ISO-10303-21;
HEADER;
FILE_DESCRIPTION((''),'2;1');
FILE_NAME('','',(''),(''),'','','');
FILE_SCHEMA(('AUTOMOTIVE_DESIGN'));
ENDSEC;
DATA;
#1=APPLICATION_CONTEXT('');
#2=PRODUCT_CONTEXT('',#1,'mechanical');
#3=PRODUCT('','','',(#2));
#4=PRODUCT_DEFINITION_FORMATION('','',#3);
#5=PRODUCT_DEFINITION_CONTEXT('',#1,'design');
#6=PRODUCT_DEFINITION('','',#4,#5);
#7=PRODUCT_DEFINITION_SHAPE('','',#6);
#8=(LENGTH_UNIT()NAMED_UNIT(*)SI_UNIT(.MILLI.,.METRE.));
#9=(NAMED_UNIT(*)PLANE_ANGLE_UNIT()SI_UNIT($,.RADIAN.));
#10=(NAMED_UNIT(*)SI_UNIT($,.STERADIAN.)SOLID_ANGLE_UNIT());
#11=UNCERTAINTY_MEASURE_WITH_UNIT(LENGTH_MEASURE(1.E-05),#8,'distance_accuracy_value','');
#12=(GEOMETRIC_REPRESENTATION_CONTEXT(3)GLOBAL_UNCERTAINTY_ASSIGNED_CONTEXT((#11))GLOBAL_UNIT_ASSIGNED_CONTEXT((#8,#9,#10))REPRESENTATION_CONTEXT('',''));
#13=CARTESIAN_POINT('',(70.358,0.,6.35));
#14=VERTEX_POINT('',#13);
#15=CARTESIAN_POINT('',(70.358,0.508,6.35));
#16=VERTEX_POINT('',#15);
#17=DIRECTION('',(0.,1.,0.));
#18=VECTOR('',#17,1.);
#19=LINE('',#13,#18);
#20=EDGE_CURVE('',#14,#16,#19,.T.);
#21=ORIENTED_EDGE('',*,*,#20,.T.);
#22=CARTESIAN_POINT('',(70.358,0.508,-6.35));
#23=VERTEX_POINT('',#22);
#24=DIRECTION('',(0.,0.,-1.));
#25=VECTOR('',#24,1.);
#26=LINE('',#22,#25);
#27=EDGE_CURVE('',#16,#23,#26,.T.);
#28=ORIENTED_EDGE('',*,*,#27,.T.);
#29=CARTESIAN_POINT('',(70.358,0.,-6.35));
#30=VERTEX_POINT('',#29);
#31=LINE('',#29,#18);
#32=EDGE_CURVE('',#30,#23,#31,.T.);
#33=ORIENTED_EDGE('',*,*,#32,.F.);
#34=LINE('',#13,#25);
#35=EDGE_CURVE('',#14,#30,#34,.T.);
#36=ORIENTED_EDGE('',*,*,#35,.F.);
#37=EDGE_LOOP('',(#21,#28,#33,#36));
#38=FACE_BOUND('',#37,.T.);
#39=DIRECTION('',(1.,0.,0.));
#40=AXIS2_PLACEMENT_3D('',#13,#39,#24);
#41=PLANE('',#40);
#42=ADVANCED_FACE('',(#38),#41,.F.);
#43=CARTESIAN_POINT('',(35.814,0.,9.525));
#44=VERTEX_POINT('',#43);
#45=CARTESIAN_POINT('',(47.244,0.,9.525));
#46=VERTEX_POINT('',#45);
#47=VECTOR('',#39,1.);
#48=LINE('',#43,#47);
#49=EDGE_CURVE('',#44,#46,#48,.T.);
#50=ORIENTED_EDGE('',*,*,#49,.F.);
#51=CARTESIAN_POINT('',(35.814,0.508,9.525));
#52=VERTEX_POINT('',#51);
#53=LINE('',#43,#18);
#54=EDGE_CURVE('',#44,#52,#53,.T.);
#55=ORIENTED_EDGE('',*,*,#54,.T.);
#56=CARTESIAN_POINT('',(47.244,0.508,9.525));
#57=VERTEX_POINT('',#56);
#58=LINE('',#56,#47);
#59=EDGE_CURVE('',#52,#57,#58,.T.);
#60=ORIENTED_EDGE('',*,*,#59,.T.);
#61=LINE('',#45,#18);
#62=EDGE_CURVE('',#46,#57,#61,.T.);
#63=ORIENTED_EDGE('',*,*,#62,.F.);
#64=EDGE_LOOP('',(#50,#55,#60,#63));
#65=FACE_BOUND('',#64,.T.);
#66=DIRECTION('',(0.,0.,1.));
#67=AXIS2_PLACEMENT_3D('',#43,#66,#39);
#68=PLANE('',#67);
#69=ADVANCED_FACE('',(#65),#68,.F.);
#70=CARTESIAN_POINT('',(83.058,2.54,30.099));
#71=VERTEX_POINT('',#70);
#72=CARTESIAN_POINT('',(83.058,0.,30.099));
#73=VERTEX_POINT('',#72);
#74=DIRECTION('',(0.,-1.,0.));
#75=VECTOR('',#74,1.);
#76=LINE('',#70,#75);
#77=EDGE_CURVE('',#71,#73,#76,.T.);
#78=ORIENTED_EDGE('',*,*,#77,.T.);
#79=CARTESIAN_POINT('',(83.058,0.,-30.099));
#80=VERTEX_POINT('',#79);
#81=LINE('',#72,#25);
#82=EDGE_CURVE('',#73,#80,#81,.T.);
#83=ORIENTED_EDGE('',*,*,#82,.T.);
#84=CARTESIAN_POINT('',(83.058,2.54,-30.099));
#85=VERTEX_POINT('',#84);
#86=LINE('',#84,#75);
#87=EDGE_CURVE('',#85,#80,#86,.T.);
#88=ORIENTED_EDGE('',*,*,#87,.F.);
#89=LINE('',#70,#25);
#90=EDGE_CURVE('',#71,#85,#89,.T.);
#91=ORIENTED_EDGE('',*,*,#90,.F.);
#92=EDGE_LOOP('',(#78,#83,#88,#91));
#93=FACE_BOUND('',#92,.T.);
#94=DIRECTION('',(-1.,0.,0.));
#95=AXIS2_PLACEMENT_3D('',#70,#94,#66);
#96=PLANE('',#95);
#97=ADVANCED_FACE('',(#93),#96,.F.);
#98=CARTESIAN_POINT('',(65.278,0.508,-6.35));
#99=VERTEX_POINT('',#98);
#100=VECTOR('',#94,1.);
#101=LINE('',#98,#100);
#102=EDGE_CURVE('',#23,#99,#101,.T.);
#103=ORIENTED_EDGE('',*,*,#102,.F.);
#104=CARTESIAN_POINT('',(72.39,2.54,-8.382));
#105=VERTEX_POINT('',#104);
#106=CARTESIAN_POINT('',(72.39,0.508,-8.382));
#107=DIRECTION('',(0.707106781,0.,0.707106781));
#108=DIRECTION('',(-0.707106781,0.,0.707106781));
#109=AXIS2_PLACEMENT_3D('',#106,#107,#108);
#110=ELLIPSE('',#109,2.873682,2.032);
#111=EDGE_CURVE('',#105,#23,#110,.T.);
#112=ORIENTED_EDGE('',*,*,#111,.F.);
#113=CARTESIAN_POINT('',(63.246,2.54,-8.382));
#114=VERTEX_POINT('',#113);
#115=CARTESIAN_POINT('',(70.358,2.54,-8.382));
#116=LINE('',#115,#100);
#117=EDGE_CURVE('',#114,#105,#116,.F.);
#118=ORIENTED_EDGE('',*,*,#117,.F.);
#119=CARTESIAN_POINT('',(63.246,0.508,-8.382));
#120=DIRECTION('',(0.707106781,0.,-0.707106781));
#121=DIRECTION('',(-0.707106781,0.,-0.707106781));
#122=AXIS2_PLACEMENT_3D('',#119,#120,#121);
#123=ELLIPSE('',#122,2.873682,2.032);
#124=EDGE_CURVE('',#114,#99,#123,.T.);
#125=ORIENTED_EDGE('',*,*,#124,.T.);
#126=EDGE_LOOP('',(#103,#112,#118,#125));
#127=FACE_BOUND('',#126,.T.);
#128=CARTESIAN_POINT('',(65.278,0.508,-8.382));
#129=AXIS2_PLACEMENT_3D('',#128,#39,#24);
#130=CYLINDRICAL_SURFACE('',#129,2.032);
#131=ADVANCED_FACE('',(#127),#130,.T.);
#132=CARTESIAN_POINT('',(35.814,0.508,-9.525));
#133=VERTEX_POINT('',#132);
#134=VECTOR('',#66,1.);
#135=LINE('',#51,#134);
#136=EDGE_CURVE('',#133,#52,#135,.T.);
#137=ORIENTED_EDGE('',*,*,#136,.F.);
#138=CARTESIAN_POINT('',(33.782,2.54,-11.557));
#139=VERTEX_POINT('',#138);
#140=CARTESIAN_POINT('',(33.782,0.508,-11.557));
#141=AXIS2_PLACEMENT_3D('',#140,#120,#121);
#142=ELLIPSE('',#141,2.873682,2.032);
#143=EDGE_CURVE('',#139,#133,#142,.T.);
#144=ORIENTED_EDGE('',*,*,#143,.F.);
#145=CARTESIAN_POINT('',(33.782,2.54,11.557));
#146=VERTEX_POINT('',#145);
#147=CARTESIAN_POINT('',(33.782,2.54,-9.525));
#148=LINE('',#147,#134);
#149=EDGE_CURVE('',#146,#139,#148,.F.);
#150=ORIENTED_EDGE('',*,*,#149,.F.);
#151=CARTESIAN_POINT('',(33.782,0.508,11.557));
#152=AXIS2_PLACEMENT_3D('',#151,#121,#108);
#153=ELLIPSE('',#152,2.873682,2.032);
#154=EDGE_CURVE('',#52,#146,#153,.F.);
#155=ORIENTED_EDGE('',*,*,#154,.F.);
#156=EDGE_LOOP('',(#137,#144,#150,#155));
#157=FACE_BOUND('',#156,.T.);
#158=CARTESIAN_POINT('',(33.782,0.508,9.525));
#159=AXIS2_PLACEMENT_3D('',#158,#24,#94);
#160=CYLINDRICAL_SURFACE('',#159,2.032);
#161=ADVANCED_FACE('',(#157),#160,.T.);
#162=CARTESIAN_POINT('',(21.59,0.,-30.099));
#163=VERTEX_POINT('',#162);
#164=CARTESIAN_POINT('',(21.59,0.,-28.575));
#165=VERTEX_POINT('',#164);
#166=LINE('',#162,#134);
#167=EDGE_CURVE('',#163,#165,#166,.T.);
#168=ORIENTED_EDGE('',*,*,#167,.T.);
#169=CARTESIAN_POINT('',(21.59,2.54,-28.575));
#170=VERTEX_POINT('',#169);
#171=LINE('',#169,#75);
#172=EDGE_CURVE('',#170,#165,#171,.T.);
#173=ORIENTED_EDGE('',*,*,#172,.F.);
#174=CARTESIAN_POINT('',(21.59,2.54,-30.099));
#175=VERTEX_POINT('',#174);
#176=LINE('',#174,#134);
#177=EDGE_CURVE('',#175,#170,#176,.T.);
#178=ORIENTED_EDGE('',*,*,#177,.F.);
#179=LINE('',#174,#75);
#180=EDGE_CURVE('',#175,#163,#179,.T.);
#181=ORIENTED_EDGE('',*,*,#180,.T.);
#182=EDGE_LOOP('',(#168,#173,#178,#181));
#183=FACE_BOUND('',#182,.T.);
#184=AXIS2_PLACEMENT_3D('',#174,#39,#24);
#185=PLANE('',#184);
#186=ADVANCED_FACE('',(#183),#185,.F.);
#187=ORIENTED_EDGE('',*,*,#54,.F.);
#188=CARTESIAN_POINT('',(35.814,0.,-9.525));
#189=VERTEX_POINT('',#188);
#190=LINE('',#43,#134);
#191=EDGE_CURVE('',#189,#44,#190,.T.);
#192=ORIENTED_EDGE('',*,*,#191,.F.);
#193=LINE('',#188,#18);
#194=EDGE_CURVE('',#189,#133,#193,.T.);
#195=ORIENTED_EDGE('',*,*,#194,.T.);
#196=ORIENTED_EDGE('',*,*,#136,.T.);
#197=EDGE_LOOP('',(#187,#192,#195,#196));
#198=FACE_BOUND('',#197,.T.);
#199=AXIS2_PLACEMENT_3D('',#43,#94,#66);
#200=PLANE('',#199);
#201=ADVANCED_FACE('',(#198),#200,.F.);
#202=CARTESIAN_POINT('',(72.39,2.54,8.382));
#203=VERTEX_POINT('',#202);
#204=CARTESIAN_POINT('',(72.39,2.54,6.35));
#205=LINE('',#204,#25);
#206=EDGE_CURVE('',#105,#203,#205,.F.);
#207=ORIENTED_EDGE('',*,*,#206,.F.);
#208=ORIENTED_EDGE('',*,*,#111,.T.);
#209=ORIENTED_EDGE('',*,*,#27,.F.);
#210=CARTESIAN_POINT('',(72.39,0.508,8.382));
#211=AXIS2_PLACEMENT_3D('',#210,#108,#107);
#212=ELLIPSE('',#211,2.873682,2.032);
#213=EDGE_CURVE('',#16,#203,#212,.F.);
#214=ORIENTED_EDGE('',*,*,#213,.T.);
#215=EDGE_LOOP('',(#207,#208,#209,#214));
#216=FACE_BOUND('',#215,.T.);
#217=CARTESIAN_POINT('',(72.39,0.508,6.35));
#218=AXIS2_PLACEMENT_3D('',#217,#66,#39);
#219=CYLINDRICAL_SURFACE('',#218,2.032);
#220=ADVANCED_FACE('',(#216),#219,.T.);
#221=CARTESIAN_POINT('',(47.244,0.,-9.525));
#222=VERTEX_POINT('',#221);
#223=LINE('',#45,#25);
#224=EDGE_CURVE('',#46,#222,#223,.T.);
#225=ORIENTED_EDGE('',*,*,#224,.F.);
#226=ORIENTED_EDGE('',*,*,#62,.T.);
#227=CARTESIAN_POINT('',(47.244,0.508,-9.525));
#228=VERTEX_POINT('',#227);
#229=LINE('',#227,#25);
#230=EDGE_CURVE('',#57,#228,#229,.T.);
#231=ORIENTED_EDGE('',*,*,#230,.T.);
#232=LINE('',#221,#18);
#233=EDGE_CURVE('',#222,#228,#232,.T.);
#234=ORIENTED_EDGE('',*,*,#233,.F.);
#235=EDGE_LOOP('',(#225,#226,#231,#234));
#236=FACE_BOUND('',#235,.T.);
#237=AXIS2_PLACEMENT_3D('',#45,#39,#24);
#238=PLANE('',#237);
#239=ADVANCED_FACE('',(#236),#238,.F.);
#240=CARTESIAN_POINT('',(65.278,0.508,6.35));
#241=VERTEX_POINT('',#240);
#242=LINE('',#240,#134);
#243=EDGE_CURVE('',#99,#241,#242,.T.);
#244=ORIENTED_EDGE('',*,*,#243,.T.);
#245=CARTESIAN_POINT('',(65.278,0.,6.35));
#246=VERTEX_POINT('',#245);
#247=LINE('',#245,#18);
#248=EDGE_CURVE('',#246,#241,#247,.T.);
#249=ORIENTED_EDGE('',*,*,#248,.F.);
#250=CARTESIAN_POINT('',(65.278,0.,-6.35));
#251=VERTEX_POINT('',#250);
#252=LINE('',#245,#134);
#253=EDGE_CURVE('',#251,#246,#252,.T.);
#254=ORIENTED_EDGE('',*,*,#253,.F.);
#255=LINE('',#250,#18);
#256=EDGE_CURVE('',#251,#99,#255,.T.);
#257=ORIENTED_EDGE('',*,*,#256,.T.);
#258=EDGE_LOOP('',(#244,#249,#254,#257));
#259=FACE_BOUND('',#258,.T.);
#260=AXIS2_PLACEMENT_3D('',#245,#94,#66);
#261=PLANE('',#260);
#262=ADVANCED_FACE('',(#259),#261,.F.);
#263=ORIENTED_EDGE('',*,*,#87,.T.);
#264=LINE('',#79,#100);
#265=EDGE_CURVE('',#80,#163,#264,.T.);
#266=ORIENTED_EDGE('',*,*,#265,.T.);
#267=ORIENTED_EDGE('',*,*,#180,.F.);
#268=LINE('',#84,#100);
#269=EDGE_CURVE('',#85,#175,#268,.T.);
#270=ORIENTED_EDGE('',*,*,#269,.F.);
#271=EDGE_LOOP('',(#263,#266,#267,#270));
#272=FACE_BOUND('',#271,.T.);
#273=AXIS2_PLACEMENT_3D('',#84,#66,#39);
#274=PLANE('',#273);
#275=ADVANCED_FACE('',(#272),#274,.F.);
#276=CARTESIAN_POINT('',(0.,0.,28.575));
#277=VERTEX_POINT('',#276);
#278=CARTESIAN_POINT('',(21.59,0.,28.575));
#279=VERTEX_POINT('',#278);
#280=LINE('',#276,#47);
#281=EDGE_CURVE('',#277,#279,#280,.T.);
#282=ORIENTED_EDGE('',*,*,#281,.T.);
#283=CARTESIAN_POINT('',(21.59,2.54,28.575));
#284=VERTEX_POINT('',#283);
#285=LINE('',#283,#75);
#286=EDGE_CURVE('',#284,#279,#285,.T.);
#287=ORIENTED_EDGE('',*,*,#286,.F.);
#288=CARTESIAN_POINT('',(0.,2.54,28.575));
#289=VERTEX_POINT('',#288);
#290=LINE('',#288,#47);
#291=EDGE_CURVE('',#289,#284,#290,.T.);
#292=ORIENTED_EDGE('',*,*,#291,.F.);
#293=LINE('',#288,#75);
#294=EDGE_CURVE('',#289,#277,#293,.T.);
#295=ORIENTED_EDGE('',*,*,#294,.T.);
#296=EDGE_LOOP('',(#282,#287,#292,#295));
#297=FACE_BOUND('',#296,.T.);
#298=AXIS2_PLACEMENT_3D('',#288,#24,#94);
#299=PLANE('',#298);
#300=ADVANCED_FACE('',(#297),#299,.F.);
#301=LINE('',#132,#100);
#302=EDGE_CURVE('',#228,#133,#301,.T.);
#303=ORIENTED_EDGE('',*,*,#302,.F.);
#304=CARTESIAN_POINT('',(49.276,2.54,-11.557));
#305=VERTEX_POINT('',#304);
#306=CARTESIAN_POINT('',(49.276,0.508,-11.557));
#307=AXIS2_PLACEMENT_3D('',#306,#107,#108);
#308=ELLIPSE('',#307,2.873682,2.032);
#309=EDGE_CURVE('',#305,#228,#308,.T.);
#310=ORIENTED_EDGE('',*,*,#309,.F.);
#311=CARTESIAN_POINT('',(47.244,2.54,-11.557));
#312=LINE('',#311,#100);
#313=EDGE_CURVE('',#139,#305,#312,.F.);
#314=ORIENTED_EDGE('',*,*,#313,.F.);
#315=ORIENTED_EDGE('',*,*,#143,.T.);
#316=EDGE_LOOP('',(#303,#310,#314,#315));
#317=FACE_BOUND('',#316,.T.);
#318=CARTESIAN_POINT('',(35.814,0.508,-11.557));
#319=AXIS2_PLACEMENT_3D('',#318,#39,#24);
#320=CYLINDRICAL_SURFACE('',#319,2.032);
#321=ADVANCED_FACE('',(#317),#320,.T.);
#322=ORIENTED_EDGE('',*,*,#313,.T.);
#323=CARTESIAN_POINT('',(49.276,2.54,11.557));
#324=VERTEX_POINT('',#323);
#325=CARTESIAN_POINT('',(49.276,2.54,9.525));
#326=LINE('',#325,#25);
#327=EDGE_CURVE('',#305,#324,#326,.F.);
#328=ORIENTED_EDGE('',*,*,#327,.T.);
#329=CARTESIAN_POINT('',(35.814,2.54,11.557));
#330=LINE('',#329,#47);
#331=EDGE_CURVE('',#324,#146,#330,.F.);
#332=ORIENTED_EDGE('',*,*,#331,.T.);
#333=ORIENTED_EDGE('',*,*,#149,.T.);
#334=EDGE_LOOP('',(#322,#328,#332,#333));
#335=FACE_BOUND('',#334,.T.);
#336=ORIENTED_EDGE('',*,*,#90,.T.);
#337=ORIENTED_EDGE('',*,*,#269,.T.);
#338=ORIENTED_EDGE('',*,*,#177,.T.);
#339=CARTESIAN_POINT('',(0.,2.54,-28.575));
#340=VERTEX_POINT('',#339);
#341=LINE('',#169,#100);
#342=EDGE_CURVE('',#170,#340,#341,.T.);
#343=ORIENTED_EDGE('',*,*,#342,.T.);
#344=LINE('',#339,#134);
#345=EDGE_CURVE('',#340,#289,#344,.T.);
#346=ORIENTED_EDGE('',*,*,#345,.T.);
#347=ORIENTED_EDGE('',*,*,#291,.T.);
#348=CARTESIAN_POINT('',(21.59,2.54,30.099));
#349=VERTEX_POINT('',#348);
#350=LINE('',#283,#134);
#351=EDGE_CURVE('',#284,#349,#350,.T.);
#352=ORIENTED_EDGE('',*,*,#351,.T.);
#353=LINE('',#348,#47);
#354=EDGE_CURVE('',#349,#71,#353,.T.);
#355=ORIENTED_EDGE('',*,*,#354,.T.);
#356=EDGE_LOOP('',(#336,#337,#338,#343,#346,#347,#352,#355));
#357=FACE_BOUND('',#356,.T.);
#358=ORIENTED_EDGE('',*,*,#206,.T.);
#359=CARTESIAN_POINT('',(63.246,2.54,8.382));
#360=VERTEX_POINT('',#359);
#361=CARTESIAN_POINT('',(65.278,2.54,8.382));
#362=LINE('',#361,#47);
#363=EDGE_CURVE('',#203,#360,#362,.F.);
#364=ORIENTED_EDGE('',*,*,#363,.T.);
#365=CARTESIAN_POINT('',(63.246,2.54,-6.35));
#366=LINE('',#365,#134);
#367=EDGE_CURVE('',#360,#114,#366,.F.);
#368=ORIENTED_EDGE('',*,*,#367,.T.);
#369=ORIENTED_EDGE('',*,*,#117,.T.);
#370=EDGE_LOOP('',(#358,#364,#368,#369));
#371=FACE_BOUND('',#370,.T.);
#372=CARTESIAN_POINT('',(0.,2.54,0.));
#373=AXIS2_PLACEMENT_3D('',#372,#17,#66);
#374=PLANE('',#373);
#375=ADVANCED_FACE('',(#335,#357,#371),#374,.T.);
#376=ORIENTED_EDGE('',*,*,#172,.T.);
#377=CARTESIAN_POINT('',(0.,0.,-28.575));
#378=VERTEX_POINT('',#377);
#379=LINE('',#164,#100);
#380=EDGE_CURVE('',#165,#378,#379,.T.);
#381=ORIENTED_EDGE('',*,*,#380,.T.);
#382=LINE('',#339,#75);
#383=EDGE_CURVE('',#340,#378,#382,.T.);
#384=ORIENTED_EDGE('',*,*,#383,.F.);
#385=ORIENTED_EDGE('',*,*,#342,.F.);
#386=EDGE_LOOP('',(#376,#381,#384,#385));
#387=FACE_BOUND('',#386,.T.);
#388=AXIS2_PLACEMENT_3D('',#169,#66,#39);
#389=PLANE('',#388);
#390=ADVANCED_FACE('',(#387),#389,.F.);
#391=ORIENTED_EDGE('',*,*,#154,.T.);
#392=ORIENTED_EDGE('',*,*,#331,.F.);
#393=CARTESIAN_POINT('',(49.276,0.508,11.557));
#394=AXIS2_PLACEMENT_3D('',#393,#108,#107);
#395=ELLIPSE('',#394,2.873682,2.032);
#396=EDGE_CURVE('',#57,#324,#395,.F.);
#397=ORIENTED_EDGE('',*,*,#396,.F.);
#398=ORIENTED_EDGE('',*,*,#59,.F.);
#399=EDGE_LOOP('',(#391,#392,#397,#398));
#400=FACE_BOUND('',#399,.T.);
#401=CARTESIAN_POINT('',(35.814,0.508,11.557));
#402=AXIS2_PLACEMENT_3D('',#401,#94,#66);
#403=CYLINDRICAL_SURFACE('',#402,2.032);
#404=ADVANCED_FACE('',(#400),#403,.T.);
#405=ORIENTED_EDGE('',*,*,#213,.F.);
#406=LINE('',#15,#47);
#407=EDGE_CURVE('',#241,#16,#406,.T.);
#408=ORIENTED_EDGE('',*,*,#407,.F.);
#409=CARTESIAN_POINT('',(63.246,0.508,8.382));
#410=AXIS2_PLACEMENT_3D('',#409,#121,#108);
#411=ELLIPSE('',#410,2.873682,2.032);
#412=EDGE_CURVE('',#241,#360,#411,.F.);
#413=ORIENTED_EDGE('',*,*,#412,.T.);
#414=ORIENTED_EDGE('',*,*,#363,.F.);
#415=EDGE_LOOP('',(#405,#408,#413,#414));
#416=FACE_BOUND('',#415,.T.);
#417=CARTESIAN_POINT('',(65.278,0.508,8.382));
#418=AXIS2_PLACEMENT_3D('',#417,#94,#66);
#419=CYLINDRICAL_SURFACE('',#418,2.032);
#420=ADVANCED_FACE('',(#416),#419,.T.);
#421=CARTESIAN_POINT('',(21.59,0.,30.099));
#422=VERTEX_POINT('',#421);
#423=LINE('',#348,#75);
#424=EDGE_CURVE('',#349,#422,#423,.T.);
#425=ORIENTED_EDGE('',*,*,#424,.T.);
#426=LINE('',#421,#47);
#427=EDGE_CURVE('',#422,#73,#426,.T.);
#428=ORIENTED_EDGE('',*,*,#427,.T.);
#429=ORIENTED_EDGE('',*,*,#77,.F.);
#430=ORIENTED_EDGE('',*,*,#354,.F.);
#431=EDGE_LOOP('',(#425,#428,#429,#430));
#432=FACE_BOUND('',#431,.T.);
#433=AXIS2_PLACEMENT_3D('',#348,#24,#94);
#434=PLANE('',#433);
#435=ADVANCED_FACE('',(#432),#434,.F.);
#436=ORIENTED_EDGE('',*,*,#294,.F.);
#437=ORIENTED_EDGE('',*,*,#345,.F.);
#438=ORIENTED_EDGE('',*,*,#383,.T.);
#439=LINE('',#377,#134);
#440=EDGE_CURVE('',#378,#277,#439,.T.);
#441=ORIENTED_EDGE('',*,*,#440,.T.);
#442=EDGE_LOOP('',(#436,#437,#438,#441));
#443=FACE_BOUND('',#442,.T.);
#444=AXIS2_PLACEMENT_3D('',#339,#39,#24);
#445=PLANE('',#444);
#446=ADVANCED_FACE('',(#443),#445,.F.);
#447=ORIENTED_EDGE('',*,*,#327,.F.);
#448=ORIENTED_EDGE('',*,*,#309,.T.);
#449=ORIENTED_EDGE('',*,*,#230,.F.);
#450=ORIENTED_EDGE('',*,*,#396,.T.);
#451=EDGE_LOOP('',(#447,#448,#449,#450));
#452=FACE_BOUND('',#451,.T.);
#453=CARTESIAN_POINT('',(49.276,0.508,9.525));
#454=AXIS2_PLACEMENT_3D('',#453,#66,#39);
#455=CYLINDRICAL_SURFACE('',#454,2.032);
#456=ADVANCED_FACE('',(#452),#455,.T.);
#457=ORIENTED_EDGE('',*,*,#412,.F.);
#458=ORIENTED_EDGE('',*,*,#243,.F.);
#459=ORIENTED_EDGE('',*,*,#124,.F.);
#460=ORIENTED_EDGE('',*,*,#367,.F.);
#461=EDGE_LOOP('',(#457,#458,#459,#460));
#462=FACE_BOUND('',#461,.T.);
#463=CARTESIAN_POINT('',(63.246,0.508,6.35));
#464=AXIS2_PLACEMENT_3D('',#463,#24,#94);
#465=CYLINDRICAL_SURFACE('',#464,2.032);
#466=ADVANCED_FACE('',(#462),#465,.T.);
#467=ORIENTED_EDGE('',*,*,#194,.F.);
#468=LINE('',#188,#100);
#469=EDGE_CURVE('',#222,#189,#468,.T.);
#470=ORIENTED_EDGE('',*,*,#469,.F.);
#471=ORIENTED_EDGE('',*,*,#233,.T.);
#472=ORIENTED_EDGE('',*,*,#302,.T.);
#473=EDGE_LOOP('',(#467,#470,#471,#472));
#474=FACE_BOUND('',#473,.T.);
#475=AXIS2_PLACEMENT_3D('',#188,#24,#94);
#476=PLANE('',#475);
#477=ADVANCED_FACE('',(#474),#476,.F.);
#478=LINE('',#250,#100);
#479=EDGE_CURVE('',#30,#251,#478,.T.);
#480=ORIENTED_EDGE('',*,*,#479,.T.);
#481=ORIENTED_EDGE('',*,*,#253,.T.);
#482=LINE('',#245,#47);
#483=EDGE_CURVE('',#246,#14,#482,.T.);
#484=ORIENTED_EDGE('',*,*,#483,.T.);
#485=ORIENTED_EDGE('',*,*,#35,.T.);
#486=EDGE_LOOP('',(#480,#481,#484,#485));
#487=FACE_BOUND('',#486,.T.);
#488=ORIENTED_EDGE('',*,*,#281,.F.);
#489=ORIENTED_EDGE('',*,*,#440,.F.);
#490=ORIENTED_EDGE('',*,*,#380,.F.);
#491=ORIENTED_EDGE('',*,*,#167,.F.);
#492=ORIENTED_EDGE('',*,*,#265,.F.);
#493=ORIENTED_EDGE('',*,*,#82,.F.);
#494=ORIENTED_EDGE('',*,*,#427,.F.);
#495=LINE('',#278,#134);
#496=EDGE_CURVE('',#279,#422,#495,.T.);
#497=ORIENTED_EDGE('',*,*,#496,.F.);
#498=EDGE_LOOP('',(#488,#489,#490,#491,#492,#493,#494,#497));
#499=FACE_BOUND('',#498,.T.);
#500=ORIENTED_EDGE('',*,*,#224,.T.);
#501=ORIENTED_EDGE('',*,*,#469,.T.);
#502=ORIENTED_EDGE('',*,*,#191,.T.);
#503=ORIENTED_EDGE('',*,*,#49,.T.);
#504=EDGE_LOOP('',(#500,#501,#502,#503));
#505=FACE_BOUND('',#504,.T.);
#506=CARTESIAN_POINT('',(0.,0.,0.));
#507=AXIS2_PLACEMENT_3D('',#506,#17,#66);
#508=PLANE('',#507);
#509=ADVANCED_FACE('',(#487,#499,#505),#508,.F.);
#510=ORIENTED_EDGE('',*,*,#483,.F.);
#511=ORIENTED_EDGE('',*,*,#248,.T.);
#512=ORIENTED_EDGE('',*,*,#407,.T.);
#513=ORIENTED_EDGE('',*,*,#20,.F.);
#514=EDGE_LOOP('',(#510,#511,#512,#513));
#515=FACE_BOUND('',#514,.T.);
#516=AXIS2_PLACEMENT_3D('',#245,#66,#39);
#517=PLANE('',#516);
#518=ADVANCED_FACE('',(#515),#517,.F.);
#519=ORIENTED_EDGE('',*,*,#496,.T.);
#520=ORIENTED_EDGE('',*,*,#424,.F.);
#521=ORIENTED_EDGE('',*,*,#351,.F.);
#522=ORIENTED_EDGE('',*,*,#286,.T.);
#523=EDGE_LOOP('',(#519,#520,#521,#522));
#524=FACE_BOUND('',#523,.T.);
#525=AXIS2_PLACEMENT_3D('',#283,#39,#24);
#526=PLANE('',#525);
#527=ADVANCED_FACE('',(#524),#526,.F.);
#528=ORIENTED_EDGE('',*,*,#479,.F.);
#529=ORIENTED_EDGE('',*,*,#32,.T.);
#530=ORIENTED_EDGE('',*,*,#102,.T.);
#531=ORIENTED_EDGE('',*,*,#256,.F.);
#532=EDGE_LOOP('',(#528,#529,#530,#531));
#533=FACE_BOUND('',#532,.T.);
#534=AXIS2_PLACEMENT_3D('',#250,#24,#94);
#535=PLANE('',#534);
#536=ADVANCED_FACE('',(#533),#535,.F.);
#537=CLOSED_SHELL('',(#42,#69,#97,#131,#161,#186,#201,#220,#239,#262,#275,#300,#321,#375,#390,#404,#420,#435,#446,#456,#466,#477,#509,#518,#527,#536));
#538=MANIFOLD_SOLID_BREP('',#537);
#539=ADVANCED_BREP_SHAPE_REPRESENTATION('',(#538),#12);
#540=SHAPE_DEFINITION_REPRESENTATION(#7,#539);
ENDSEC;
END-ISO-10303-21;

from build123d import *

# Parameters (mm, degrees)
BOSS_EXTRUDE1_DEPTH = 2.54
SKETCH2_W           = 11.43
SKETCH2_H           = 19.05
SKETCH2_W_2         = 5.08
SKETCH2_H_2         = 12.7
CUT_EXTRUDE1_DEPTH  = 89.380047324
FILLET1_R           = 2.032


with BuildPart() as part:
    # Sketch1 → Boss-Extrude1 (new body)
    with BuildSketch(Plane(origin=(0, 0, 0), x_dir=(1, 0, 0), z_dir=(0, 1, 0))):
        Polygon((0, 28.575), (0, -28.575), (21.59, -28.575), (21.59, -30.099), (83.058, -30.099), (83.058, 30.099), (21.59, 30.099), (21.59, 28.575), align=None)
    extrude(amount=BOSS_EXTRUDE1_DEPTH)

    # Sketch2 → Cut-Extrude1 (cut, through all)
    with BuildSketch(Plane(origin=(0, 2.54, 0), x_dir=(1, 0, 0), z_dir=(0, 1, 0))):
        with Locations((41.529, 0)):
            Rectangle(SKETCH2_W, SKETCH2_H)
        with Locations((67.818, 0)):
            Rectangle(SKETCH2_W_2, SKETCH2_H_2)
    extrude(amount=-CUT_EXTRUDE1_DEPTH, mode=Mode.SUBTRACT)

    # Fillet1
    fillet1_edges = [part.edges().sort_by_distance(p)[0] for p in [
        (47.244, 2.54, 0),
        (41.529, 2.54, -9.525),
        (35.814, 2.54, 0),
        (41.529, 2.54, 9.525),
        (70.358, 2.54, 0),
        (67.818, 2.54, -6.35),
        (65.278, 2.54, 0),
        (67.818, 2.54, 6.35),
    ]]
    fillet(fillet1_edges, radius=FILLET1_R)


solid = part.part
